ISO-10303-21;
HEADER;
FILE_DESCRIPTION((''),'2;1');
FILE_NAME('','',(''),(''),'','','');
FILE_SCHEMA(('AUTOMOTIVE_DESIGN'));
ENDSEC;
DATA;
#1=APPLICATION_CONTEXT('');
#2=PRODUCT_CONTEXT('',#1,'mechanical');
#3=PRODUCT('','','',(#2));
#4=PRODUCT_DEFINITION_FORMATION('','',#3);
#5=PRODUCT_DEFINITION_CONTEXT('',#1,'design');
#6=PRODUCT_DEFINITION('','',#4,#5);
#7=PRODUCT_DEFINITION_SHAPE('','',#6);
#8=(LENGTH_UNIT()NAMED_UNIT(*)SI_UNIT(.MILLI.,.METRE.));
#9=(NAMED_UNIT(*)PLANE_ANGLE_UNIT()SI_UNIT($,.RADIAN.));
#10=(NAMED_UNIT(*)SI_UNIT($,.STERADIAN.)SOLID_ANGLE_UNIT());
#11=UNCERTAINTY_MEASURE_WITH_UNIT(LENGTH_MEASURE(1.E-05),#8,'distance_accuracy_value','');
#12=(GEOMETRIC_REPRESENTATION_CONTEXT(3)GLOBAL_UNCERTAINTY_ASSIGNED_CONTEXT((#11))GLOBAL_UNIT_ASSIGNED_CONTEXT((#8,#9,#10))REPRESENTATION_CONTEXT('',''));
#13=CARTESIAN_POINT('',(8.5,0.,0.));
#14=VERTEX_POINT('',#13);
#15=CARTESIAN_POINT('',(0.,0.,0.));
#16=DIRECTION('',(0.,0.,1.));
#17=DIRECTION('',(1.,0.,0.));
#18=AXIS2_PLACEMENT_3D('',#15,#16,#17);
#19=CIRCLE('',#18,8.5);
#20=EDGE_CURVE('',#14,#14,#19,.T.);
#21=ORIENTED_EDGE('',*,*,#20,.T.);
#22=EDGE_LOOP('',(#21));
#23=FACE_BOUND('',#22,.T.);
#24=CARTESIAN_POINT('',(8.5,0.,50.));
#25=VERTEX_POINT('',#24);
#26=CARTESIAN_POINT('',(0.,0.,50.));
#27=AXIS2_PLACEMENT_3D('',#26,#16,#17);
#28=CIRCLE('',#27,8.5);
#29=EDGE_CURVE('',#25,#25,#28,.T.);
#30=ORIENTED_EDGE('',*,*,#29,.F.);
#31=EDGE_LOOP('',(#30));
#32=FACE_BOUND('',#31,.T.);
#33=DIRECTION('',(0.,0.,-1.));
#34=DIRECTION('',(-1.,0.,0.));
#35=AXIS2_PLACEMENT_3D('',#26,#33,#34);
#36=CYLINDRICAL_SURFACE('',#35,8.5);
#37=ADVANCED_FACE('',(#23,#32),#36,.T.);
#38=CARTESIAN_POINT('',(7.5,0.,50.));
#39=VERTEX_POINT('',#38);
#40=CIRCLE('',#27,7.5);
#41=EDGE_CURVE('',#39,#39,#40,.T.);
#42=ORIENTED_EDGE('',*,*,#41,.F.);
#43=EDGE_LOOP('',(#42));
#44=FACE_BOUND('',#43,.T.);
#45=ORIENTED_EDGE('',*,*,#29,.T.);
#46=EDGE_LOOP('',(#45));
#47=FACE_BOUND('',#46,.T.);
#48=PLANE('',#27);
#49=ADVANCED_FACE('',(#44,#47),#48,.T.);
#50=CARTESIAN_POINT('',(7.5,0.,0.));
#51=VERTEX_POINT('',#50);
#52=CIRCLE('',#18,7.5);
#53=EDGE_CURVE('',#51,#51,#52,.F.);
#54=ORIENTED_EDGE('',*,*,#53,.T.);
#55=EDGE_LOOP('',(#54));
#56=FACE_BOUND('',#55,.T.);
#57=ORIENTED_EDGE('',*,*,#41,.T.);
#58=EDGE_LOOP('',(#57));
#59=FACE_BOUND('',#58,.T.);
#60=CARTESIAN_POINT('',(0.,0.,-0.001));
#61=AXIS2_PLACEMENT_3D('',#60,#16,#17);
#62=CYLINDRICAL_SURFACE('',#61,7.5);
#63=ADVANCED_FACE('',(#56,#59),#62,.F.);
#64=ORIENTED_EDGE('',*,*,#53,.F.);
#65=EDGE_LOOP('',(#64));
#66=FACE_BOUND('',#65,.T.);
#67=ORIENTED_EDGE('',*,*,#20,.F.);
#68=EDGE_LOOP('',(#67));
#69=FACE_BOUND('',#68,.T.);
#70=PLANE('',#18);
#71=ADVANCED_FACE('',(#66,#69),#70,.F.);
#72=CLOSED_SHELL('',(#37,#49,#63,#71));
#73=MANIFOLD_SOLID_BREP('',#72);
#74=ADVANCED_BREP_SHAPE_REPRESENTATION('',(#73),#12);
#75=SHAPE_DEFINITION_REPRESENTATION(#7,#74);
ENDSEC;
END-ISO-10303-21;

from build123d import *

# Parameters (mm, degrees)
SKETCH2_R           = 8.5
BOSS_EXTRUDE1_DEPTH = 50
CUT_EXTRUDE1_REACH  = 53.425
SKETCH3_R           = 7.5


with BuildPart() as part:
    # Sketch2 → Boss-Extrude1 (new body)
    with BuildSketch(Plane.XY):
        Circle(SKETCH2_R)
    extrude(amount=BOSS_EXTRUDE1_DEPTH)

    # Sketch3 → Cut-Extrude1 (cut, up to next)
    with BuildSketch(Plane.XY.offset(50), mode=Mode.PRIVATE) as cut_extrude1_sk1:
        Circle(SKETCH3_R)
    cut_extrude1_tool1 = extrude(cut_extrude1_sk1.sketch, amount=-CUT_EXTRUDE1_REACH, mode=Mode.PRIVATE) & part.part
    add(cut_extrude1_tool1.solids().sort_by_distance((0, 0, 50))[0], mode=Mode.SUBTRACT)


solid = part.part
